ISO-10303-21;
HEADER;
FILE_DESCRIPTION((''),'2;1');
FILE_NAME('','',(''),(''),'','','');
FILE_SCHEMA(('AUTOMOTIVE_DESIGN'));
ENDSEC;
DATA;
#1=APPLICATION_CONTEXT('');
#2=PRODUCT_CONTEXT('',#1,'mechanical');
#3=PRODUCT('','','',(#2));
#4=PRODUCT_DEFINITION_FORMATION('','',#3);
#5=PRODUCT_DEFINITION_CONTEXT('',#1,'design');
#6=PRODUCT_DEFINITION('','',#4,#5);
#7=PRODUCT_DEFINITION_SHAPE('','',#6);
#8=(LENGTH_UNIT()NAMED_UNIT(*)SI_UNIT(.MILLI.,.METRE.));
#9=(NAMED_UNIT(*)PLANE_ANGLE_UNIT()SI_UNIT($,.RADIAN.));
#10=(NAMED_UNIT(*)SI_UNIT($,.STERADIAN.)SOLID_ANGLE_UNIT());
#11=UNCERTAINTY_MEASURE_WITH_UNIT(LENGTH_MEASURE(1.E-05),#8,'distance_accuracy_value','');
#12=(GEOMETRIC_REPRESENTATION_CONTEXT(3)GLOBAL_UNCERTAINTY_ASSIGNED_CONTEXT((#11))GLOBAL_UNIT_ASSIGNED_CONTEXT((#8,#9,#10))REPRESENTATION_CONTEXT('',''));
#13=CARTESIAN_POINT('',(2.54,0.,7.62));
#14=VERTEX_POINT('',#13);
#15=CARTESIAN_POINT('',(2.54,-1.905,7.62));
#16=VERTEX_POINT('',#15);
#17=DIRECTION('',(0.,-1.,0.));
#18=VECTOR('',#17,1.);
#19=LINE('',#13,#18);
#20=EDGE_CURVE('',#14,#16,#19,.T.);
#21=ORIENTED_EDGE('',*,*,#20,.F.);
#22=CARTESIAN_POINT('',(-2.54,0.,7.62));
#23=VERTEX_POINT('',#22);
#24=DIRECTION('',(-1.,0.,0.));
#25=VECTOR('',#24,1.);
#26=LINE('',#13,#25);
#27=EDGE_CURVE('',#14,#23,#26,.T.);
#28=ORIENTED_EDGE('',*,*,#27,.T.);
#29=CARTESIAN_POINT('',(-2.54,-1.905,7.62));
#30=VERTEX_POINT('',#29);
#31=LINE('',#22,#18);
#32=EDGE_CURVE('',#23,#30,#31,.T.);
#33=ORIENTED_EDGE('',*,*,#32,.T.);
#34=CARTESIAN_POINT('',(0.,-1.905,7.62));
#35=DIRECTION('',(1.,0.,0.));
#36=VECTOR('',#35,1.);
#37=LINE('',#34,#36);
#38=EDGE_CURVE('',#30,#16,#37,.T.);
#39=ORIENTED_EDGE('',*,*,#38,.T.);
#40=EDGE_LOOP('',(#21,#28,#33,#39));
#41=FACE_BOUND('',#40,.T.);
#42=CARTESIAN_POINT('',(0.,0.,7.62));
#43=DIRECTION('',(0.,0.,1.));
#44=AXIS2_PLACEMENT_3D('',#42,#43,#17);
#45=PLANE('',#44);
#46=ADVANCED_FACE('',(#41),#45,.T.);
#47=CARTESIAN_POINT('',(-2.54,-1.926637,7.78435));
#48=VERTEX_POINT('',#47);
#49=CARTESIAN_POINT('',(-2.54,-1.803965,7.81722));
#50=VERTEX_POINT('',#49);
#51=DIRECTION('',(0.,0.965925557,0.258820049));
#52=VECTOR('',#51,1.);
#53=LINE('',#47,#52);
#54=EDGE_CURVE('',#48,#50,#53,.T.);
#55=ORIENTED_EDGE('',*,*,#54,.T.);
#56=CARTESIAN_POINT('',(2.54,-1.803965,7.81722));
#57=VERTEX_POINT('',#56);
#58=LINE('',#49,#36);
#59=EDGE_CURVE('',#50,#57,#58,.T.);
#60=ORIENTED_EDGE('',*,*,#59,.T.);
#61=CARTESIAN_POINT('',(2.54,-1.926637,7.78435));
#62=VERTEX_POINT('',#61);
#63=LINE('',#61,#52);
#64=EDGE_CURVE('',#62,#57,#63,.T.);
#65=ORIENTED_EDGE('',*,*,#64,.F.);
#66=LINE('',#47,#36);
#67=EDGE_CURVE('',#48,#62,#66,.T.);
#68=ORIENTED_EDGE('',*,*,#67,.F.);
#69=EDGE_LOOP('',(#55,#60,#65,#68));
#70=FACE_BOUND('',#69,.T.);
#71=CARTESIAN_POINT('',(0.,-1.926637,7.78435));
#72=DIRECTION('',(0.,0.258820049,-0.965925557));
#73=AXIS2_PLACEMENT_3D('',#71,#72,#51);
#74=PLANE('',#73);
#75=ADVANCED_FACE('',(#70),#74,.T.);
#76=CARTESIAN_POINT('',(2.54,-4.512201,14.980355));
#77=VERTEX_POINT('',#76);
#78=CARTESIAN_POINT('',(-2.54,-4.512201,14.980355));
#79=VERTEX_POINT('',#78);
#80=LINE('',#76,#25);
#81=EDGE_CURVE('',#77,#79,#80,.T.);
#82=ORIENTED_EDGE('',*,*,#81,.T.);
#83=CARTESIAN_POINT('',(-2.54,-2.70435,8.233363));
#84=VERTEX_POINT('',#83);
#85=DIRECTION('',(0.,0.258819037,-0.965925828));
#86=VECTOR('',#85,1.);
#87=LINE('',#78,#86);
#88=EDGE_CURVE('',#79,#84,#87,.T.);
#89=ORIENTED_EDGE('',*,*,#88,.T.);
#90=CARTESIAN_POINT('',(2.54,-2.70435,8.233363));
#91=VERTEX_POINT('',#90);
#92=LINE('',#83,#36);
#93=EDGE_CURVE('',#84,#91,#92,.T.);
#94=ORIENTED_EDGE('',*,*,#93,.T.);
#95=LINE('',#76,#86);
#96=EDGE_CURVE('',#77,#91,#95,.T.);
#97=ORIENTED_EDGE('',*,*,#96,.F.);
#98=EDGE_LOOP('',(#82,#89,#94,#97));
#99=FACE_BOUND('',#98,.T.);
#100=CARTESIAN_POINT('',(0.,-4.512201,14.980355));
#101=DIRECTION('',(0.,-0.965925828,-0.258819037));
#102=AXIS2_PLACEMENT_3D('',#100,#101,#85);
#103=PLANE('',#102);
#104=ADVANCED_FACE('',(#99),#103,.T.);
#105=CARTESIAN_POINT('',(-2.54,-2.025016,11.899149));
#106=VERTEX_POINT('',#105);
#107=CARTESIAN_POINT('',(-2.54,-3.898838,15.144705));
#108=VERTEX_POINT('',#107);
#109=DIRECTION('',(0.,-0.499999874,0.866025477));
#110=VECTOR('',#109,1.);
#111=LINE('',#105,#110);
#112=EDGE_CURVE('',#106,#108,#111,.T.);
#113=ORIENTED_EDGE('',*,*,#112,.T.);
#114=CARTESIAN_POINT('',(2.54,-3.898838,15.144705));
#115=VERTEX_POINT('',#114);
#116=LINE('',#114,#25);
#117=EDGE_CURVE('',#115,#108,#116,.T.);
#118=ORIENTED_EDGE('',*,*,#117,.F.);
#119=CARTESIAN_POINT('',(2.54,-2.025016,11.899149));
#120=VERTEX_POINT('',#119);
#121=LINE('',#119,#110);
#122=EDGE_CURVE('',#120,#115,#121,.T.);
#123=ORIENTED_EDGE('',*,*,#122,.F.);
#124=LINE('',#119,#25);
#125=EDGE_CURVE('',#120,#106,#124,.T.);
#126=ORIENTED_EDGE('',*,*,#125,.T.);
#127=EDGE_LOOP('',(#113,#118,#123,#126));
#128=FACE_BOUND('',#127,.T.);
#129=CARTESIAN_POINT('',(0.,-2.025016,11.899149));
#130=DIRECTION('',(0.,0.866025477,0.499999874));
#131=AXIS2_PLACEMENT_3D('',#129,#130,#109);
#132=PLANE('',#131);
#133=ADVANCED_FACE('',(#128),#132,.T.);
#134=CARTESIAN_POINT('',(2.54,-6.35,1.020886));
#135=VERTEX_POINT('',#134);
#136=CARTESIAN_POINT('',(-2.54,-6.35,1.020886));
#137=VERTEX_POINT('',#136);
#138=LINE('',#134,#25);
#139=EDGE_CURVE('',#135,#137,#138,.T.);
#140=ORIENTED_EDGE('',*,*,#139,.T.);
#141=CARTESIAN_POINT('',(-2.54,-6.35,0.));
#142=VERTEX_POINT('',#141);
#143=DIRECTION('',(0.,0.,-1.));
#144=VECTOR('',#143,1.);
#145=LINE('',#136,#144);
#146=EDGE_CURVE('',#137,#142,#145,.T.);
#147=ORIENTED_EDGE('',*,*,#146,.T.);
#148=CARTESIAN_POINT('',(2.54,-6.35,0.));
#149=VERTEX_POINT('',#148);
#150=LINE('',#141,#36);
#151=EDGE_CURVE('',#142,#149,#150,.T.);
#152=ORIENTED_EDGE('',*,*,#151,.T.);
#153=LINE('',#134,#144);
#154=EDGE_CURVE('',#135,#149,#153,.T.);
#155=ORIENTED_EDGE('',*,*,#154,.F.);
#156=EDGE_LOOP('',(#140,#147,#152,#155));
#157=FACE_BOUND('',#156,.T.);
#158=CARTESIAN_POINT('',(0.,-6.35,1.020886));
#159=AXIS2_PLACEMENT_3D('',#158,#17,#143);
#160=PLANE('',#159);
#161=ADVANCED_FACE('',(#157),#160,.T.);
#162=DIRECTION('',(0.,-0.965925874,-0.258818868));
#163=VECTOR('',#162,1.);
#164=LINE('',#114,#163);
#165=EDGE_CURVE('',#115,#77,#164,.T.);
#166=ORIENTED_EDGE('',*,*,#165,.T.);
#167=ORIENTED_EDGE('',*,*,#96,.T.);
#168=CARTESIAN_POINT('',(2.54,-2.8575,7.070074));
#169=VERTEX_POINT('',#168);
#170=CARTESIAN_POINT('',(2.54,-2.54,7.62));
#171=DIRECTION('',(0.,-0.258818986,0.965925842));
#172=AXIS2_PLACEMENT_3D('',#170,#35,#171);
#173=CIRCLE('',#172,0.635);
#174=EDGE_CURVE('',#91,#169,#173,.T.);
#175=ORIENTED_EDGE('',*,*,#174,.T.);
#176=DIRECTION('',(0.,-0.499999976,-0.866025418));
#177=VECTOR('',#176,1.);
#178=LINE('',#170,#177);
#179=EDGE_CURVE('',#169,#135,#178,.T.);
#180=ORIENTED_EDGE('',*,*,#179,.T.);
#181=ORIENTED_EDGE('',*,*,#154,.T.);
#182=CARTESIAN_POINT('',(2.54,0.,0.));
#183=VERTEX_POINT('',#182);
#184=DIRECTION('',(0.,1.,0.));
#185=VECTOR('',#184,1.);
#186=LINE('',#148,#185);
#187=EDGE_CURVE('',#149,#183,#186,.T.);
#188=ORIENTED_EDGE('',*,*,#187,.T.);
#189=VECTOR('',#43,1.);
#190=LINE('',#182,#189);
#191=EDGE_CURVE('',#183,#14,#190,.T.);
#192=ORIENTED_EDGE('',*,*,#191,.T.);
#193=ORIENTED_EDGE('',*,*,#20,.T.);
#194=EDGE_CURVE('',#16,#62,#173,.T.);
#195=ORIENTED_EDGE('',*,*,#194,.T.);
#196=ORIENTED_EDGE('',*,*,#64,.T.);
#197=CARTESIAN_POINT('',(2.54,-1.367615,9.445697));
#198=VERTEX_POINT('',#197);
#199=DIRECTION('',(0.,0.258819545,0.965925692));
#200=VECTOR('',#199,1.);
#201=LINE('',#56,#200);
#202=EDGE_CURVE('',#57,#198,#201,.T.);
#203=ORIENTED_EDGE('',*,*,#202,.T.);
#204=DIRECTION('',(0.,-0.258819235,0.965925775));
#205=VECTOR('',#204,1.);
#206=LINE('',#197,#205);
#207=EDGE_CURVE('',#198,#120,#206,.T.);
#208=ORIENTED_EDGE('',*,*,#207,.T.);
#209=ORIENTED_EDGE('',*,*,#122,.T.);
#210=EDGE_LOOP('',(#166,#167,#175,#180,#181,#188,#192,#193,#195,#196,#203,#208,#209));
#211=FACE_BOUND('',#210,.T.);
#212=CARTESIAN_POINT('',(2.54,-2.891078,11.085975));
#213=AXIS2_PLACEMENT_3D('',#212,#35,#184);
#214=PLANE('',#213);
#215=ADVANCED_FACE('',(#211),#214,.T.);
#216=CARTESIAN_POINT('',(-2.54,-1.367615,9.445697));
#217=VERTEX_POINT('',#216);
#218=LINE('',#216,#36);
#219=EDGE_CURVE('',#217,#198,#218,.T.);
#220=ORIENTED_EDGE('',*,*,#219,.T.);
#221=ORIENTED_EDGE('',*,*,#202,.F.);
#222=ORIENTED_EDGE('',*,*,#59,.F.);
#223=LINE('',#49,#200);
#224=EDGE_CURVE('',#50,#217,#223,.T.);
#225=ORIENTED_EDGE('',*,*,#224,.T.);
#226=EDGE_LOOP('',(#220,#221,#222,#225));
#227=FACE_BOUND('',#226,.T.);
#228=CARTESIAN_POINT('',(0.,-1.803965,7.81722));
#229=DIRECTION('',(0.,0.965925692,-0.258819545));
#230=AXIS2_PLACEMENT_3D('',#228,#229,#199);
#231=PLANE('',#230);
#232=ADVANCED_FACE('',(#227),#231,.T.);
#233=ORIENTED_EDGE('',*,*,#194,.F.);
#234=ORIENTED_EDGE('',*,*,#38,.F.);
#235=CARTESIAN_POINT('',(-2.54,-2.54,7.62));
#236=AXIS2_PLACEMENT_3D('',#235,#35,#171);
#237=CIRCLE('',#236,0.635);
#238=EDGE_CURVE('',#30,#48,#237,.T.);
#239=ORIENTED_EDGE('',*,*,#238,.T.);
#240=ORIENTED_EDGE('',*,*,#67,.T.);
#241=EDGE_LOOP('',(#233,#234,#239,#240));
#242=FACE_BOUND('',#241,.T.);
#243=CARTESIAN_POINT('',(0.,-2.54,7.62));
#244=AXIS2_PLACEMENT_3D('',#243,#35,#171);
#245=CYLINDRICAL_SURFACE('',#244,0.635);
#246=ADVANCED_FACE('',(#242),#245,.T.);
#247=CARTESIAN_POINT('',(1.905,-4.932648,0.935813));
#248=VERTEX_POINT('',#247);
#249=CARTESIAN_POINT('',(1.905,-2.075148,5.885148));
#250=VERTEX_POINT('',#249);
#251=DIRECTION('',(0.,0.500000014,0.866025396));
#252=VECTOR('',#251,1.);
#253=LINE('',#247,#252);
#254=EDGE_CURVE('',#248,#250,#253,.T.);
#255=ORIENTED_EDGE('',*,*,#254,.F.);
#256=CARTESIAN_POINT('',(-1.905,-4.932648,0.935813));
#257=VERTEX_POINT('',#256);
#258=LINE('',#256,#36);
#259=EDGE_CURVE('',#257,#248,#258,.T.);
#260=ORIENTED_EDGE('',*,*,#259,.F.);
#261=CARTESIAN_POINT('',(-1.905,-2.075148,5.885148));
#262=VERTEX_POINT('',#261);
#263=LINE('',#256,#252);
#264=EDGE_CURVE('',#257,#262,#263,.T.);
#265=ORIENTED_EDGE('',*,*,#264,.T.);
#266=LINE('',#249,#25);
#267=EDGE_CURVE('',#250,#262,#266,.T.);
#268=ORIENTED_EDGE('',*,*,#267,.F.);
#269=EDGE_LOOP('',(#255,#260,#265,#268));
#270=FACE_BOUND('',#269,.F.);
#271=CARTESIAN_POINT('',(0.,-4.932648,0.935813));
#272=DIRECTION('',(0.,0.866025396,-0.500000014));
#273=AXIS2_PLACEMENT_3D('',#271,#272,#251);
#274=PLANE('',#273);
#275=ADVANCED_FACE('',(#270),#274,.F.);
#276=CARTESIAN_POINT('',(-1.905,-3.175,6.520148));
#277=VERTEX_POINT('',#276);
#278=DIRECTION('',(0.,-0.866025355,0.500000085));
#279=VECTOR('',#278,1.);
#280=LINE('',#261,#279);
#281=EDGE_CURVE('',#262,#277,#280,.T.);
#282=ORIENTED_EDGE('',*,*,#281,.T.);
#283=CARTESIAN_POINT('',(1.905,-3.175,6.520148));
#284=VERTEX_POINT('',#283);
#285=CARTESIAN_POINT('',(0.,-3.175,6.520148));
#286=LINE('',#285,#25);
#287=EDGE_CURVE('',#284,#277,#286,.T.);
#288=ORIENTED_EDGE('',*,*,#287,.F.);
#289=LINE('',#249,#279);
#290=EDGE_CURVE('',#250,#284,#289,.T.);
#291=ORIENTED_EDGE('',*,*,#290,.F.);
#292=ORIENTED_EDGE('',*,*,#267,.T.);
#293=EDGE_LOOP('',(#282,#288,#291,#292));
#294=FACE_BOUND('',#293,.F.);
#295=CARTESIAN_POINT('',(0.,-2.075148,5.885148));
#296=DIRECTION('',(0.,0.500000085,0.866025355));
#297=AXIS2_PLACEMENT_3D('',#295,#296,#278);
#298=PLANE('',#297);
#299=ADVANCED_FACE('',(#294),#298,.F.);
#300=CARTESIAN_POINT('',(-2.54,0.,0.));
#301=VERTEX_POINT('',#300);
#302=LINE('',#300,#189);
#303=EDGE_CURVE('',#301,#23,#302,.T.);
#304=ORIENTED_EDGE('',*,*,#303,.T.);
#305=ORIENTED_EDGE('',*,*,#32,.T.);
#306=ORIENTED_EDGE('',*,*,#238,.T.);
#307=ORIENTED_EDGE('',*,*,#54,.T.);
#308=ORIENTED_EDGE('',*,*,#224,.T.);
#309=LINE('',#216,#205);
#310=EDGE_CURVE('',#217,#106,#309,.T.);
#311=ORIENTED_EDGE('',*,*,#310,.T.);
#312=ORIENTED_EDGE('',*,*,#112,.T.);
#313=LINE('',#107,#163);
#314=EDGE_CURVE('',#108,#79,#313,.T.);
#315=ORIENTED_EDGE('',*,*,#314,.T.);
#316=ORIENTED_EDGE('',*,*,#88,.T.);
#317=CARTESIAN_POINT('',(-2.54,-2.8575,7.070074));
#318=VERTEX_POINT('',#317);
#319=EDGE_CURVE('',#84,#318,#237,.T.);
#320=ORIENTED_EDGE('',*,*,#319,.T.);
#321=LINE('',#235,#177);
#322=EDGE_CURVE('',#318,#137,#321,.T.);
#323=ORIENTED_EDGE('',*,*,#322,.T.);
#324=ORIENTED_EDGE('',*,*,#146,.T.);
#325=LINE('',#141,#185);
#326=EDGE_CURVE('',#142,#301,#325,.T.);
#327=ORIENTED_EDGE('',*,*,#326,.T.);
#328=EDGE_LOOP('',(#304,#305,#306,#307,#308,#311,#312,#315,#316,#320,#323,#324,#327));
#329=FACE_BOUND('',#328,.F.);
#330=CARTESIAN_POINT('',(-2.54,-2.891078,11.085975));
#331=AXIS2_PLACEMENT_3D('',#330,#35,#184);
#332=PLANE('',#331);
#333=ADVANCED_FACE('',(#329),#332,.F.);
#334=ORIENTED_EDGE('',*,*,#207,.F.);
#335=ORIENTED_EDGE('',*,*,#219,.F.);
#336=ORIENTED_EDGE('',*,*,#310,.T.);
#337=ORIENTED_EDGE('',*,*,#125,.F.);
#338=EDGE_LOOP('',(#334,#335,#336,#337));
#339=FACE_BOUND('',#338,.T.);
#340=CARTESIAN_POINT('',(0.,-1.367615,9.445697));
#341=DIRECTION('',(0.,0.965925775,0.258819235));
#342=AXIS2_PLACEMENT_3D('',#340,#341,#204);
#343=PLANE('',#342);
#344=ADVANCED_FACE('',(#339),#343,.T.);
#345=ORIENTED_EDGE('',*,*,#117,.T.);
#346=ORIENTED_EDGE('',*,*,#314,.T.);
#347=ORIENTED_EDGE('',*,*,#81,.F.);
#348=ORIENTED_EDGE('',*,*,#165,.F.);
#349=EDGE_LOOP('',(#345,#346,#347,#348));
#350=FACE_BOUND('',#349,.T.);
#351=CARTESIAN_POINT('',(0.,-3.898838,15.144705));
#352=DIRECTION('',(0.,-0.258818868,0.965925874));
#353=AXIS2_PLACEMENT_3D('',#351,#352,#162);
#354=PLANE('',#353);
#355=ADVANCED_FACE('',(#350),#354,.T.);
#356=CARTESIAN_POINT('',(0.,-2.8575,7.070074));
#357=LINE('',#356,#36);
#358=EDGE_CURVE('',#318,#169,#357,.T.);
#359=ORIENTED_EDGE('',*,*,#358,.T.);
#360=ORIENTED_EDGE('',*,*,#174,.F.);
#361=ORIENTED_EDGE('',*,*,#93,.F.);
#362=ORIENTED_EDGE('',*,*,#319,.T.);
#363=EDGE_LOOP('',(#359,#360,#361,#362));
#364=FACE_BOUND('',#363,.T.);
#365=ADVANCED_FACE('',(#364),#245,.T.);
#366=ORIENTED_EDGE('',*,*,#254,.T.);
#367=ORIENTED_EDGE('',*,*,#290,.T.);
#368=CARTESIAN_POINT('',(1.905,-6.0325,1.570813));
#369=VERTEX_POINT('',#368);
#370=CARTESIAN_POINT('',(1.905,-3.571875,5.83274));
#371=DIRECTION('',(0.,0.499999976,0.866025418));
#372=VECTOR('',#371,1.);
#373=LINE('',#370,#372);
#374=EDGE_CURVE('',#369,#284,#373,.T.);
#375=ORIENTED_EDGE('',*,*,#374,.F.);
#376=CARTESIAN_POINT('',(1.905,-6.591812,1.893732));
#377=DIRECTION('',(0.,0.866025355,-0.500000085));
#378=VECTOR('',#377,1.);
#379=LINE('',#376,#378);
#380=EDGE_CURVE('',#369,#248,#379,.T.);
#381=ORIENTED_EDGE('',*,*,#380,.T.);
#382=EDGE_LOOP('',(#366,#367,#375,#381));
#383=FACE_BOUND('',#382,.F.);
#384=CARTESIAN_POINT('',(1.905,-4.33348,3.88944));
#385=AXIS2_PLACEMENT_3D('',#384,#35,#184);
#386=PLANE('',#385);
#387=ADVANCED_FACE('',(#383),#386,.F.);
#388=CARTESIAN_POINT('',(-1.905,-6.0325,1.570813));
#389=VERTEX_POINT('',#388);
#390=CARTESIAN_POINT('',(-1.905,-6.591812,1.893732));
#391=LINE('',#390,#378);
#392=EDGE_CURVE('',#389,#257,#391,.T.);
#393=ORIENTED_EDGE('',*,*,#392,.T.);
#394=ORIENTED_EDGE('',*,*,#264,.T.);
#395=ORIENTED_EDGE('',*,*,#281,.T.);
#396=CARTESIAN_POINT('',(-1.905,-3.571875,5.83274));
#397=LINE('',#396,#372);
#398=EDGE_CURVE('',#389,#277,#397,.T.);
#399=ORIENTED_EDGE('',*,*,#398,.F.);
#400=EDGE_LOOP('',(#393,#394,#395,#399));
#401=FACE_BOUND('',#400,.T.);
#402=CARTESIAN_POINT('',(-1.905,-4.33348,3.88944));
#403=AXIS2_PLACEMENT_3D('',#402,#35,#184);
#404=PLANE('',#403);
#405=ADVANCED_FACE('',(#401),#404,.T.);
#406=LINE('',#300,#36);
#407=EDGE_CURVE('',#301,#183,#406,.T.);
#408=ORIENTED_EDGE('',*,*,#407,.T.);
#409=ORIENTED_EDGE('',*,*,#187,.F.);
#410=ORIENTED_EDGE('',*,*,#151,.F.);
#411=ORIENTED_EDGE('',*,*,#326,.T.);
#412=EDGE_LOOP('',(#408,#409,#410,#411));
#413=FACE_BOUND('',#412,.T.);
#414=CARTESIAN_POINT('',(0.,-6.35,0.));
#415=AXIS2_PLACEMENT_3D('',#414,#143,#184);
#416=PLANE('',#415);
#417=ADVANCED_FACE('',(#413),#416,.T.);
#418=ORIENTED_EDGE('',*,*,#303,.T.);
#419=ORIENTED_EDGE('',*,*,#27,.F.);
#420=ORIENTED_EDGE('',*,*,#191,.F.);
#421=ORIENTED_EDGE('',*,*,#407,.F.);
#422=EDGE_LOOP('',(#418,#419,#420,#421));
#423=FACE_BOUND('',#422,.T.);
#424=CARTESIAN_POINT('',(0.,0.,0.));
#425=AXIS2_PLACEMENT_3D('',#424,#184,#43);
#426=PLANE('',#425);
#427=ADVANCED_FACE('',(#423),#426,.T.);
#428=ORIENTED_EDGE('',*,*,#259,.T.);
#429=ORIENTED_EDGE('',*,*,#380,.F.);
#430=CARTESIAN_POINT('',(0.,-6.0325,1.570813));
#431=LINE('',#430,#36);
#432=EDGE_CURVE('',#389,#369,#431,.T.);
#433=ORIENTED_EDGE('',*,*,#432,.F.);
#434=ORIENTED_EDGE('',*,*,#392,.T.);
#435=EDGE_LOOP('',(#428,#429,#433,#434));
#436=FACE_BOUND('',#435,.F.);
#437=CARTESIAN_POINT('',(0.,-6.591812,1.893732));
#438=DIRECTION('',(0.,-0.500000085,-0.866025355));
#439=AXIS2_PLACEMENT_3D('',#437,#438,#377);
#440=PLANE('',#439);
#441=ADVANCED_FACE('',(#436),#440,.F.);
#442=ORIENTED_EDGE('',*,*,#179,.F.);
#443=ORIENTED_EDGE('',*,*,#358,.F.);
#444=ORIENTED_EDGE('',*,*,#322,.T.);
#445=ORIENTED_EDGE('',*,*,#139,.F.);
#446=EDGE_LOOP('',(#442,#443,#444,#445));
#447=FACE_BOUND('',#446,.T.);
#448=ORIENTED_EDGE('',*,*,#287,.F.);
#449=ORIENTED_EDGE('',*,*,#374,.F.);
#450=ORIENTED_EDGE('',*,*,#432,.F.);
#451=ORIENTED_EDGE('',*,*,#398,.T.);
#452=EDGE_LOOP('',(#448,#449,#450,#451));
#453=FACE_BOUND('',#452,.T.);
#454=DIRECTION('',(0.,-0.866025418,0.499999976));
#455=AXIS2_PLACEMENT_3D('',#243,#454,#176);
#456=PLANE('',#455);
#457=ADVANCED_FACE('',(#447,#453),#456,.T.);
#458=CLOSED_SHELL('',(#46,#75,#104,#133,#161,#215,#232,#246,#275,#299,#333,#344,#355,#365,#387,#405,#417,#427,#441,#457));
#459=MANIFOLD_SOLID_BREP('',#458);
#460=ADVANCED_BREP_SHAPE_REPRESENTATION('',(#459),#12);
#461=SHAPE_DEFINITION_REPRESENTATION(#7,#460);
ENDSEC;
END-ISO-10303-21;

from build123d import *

# Parameters (mm, degrees)
F1_DEPTH = 2.54
F3_DEPTH = 2.54
F5_DEPTH = 1.905


with BuildPart() as f1:
    # F0 (on Right) → F1 (new body, symmetric)
    with BuildSketch(Plane.YZ):
        Polygon((-6.35, 1.020886), (-6.35, 0), (0, 0), (0, 7.62), (-2.54, 7.62), align=None)
    extrude(amount=F1_DEPTH, both=True)

    # F2 (on Right) → F3 (join, symmetric)
    with BuildSketch(Plane.YZ):
        with BuildLine():
            Line((-4.512201, 14.980355), (-2.70435, 8.233363))
            ThreePointArc((-2.70435, 8.233363), (-2.8575, 7.070074), (-1.926637, 7.78435))
            Line((-1.926637, 7.78435), (-1.803965, 7.81722))
            Line((-1.803965, 7.81722), (-1.367615, 9.445697))
            Line((-1.367615, 9.445697), (-2.025016, 11.899149))
            Line((-2.025016, 11.899149), (-3.898838, 15.144705))
            Line((-3.898838, 15.144705), (-4.512201, 14.980355))
        make_face()
    extrude(amount=F3_DEPTH, both=True)

    # F4 (on Right) → F5 (cut, symmetric)
    with BuildSketch(Plane.YZ):
        Polygon((-3.734312, 6.843067), (-6.591812, 1.893732), (-4.932648, 0.935813), (-2.075148, 5.885148), align=None)
    extrude(amount=F5_DEPTH, both=True, mode=Mode.SUBTRACT)


solid = f1.part
